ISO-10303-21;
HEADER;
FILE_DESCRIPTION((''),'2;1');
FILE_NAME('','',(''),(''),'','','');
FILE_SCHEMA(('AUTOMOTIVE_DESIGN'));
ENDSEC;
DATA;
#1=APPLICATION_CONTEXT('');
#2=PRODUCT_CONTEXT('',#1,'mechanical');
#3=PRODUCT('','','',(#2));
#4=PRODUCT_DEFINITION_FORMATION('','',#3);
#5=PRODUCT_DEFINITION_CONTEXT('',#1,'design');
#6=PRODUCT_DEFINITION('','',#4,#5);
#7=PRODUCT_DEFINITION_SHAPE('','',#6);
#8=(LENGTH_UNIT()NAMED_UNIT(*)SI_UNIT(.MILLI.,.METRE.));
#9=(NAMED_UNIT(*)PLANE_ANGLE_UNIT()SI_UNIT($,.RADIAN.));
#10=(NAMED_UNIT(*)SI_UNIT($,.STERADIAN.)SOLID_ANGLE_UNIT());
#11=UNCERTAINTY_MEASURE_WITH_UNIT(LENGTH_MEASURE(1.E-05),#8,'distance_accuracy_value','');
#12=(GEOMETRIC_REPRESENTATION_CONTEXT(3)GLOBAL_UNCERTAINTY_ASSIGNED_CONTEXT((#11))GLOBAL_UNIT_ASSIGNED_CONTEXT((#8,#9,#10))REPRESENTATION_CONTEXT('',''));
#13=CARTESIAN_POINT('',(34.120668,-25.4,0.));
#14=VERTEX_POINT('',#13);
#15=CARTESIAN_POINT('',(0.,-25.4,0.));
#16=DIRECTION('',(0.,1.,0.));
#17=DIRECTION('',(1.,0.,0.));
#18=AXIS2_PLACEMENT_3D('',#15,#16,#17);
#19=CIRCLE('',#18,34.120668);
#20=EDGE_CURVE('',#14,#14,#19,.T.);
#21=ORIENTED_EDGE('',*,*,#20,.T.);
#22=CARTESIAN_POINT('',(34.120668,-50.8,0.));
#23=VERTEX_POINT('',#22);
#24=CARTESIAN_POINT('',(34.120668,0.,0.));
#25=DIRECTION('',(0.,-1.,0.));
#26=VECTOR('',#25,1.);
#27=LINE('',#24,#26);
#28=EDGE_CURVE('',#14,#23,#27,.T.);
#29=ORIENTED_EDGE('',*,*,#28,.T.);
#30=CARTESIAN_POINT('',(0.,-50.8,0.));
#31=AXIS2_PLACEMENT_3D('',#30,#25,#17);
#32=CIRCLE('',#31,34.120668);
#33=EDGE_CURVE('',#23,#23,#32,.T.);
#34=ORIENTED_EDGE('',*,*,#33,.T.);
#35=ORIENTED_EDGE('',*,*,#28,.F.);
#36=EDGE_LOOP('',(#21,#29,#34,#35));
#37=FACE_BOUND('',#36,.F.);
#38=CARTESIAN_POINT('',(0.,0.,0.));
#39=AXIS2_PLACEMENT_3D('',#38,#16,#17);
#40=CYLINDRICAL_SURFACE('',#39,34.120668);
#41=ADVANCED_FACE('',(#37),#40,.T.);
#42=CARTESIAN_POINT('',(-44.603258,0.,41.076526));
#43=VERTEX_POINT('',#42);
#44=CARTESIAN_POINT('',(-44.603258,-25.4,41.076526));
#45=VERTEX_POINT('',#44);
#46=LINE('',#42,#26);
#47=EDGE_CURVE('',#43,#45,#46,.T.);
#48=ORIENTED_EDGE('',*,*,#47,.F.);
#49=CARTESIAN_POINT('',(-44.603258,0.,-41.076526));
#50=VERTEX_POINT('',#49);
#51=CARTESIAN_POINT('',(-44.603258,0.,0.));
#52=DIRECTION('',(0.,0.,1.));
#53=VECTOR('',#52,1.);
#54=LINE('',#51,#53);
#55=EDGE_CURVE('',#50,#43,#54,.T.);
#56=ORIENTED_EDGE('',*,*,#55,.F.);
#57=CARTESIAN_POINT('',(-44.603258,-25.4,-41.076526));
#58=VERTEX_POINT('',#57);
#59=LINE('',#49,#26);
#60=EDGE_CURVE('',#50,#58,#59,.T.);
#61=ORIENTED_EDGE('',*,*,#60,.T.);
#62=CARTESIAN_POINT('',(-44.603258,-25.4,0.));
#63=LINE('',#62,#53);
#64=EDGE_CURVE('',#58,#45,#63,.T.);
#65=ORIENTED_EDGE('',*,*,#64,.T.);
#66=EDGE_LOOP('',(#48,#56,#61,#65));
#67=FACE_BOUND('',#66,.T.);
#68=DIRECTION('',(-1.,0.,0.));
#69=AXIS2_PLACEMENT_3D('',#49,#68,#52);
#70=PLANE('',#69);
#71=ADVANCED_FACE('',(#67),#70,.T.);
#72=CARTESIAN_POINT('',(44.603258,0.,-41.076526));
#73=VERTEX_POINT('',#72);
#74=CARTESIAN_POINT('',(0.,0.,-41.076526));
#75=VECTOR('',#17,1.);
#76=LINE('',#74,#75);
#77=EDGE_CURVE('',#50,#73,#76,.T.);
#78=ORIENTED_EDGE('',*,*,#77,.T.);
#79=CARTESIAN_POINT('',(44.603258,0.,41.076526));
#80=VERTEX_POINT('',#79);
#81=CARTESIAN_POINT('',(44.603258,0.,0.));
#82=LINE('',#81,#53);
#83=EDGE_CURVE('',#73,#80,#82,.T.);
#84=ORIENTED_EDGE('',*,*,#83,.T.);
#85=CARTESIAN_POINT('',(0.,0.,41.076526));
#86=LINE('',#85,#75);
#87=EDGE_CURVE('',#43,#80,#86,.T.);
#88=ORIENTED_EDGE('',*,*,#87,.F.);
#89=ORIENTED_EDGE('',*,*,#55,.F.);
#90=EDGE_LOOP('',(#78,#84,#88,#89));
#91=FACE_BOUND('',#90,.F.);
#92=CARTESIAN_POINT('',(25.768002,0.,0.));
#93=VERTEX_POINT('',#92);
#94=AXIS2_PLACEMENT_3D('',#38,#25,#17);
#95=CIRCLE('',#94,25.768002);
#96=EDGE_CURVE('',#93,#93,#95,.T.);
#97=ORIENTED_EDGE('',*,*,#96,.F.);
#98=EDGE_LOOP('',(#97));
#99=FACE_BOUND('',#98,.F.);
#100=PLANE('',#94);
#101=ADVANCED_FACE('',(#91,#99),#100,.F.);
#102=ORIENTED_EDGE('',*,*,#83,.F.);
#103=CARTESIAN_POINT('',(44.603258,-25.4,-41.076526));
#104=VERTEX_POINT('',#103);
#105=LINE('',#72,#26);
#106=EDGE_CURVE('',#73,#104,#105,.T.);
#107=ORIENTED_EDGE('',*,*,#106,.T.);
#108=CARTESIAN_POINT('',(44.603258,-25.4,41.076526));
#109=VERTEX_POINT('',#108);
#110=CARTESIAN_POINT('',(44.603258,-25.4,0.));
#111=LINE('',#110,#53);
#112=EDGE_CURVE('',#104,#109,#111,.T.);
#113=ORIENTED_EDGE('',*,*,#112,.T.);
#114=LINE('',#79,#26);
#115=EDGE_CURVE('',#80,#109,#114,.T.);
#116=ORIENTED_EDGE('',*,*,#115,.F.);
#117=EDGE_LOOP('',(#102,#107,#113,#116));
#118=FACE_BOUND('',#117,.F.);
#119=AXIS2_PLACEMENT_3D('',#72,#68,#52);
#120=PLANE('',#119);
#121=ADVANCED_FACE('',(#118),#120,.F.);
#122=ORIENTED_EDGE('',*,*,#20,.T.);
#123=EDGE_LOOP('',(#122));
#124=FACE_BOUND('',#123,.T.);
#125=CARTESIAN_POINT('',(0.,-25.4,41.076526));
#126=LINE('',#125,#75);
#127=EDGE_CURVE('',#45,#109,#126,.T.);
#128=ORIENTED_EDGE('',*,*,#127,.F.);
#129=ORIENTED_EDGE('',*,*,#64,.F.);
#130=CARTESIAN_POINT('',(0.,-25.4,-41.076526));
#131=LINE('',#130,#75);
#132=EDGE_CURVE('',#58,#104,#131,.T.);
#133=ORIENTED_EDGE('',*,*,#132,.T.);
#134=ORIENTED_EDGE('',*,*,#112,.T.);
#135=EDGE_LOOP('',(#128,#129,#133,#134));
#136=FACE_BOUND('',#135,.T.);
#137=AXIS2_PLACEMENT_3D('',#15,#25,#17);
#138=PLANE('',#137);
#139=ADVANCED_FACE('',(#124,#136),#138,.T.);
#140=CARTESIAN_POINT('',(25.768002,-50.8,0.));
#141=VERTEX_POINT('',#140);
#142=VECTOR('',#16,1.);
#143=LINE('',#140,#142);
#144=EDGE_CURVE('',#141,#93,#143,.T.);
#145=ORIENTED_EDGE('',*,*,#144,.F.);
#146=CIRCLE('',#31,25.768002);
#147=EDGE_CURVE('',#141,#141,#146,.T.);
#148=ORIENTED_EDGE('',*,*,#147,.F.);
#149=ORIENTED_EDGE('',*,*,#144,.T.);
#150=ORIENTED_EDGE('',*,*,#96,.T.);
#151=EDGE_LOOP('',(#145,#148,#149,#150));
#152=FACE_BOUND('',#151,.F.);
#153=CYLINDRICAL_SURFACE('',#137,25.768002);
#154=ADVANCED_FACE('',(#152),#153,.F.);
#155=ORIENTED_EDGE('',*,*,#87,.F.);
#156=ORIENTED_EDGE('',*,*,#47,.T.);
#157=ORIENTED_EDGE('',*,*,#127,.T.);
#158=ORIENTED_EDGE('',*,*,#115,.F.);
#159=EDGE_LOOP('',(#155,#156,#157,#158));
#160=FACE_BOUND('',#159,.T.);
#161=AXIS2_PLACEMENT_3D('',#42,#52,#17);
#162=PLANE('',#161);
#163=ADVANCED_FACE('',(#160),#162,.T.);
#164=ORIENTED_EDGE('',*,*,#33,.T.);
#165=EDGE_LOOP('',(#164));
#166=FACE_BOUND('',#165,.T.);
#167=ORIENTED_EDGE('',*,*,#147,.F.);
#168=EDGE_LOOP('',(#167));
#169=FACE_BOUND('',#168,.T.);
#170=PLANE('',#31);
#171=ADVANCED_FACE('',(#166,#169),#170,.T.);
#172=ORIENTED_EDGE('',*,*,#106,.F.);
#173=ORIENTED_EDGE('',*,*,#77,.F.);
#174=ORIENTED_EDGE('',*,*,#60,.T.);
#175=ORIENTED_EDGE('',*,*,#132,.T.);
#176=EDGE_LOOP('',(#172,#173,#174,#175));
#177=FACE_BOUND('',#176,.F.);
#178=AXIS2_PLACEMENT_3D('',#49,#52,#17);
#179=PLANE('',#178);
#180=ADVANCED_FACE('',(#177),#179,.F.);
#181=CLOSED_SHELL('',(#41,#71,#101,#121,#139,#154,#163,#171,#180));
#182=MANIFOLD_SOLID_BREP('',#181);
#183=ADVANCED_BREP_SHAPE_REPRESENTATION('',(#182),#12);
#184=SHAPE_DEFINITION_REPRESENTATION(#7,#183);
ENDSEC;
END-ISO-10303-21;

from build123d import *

# Parameters (mm, degrees)
F1_R      = 34.120668
F1_R_2    = 25.768002
F2_DEPTH  = 50.8
F0_W      = 89.206516
F0_H      = 82.153052
F3_DEPTH  = 25.4
F3_FACE_R = 25.768002
F4_DEPTH  = 25.4


with BuildPart() as f2:
    # F1 (on Front) → F2 (new body)
    with BuildSketch(Plane.XZ):
        Circle(F1_R)
        Circle(F1_R_2, mode=Mode.SUBTRACT)
    extrude(amount=F2_DEPTH)

    # F0 (on Front) → F3 (join)
    with BuildSketch(Plane.XZ):
        Rectangle(F0_W, F0_H)
    extrude(amount=F3_DEPTH)

    # F3_face (on face) → F4 (cut)
    with BuildSketch(Plane.XZ.offset(25.4)):
        Circle(F3_FACE_R)
    extrude(amount=-F4_DEPTH, mode=Mode.SUBTRACT)


solid = f2.part
